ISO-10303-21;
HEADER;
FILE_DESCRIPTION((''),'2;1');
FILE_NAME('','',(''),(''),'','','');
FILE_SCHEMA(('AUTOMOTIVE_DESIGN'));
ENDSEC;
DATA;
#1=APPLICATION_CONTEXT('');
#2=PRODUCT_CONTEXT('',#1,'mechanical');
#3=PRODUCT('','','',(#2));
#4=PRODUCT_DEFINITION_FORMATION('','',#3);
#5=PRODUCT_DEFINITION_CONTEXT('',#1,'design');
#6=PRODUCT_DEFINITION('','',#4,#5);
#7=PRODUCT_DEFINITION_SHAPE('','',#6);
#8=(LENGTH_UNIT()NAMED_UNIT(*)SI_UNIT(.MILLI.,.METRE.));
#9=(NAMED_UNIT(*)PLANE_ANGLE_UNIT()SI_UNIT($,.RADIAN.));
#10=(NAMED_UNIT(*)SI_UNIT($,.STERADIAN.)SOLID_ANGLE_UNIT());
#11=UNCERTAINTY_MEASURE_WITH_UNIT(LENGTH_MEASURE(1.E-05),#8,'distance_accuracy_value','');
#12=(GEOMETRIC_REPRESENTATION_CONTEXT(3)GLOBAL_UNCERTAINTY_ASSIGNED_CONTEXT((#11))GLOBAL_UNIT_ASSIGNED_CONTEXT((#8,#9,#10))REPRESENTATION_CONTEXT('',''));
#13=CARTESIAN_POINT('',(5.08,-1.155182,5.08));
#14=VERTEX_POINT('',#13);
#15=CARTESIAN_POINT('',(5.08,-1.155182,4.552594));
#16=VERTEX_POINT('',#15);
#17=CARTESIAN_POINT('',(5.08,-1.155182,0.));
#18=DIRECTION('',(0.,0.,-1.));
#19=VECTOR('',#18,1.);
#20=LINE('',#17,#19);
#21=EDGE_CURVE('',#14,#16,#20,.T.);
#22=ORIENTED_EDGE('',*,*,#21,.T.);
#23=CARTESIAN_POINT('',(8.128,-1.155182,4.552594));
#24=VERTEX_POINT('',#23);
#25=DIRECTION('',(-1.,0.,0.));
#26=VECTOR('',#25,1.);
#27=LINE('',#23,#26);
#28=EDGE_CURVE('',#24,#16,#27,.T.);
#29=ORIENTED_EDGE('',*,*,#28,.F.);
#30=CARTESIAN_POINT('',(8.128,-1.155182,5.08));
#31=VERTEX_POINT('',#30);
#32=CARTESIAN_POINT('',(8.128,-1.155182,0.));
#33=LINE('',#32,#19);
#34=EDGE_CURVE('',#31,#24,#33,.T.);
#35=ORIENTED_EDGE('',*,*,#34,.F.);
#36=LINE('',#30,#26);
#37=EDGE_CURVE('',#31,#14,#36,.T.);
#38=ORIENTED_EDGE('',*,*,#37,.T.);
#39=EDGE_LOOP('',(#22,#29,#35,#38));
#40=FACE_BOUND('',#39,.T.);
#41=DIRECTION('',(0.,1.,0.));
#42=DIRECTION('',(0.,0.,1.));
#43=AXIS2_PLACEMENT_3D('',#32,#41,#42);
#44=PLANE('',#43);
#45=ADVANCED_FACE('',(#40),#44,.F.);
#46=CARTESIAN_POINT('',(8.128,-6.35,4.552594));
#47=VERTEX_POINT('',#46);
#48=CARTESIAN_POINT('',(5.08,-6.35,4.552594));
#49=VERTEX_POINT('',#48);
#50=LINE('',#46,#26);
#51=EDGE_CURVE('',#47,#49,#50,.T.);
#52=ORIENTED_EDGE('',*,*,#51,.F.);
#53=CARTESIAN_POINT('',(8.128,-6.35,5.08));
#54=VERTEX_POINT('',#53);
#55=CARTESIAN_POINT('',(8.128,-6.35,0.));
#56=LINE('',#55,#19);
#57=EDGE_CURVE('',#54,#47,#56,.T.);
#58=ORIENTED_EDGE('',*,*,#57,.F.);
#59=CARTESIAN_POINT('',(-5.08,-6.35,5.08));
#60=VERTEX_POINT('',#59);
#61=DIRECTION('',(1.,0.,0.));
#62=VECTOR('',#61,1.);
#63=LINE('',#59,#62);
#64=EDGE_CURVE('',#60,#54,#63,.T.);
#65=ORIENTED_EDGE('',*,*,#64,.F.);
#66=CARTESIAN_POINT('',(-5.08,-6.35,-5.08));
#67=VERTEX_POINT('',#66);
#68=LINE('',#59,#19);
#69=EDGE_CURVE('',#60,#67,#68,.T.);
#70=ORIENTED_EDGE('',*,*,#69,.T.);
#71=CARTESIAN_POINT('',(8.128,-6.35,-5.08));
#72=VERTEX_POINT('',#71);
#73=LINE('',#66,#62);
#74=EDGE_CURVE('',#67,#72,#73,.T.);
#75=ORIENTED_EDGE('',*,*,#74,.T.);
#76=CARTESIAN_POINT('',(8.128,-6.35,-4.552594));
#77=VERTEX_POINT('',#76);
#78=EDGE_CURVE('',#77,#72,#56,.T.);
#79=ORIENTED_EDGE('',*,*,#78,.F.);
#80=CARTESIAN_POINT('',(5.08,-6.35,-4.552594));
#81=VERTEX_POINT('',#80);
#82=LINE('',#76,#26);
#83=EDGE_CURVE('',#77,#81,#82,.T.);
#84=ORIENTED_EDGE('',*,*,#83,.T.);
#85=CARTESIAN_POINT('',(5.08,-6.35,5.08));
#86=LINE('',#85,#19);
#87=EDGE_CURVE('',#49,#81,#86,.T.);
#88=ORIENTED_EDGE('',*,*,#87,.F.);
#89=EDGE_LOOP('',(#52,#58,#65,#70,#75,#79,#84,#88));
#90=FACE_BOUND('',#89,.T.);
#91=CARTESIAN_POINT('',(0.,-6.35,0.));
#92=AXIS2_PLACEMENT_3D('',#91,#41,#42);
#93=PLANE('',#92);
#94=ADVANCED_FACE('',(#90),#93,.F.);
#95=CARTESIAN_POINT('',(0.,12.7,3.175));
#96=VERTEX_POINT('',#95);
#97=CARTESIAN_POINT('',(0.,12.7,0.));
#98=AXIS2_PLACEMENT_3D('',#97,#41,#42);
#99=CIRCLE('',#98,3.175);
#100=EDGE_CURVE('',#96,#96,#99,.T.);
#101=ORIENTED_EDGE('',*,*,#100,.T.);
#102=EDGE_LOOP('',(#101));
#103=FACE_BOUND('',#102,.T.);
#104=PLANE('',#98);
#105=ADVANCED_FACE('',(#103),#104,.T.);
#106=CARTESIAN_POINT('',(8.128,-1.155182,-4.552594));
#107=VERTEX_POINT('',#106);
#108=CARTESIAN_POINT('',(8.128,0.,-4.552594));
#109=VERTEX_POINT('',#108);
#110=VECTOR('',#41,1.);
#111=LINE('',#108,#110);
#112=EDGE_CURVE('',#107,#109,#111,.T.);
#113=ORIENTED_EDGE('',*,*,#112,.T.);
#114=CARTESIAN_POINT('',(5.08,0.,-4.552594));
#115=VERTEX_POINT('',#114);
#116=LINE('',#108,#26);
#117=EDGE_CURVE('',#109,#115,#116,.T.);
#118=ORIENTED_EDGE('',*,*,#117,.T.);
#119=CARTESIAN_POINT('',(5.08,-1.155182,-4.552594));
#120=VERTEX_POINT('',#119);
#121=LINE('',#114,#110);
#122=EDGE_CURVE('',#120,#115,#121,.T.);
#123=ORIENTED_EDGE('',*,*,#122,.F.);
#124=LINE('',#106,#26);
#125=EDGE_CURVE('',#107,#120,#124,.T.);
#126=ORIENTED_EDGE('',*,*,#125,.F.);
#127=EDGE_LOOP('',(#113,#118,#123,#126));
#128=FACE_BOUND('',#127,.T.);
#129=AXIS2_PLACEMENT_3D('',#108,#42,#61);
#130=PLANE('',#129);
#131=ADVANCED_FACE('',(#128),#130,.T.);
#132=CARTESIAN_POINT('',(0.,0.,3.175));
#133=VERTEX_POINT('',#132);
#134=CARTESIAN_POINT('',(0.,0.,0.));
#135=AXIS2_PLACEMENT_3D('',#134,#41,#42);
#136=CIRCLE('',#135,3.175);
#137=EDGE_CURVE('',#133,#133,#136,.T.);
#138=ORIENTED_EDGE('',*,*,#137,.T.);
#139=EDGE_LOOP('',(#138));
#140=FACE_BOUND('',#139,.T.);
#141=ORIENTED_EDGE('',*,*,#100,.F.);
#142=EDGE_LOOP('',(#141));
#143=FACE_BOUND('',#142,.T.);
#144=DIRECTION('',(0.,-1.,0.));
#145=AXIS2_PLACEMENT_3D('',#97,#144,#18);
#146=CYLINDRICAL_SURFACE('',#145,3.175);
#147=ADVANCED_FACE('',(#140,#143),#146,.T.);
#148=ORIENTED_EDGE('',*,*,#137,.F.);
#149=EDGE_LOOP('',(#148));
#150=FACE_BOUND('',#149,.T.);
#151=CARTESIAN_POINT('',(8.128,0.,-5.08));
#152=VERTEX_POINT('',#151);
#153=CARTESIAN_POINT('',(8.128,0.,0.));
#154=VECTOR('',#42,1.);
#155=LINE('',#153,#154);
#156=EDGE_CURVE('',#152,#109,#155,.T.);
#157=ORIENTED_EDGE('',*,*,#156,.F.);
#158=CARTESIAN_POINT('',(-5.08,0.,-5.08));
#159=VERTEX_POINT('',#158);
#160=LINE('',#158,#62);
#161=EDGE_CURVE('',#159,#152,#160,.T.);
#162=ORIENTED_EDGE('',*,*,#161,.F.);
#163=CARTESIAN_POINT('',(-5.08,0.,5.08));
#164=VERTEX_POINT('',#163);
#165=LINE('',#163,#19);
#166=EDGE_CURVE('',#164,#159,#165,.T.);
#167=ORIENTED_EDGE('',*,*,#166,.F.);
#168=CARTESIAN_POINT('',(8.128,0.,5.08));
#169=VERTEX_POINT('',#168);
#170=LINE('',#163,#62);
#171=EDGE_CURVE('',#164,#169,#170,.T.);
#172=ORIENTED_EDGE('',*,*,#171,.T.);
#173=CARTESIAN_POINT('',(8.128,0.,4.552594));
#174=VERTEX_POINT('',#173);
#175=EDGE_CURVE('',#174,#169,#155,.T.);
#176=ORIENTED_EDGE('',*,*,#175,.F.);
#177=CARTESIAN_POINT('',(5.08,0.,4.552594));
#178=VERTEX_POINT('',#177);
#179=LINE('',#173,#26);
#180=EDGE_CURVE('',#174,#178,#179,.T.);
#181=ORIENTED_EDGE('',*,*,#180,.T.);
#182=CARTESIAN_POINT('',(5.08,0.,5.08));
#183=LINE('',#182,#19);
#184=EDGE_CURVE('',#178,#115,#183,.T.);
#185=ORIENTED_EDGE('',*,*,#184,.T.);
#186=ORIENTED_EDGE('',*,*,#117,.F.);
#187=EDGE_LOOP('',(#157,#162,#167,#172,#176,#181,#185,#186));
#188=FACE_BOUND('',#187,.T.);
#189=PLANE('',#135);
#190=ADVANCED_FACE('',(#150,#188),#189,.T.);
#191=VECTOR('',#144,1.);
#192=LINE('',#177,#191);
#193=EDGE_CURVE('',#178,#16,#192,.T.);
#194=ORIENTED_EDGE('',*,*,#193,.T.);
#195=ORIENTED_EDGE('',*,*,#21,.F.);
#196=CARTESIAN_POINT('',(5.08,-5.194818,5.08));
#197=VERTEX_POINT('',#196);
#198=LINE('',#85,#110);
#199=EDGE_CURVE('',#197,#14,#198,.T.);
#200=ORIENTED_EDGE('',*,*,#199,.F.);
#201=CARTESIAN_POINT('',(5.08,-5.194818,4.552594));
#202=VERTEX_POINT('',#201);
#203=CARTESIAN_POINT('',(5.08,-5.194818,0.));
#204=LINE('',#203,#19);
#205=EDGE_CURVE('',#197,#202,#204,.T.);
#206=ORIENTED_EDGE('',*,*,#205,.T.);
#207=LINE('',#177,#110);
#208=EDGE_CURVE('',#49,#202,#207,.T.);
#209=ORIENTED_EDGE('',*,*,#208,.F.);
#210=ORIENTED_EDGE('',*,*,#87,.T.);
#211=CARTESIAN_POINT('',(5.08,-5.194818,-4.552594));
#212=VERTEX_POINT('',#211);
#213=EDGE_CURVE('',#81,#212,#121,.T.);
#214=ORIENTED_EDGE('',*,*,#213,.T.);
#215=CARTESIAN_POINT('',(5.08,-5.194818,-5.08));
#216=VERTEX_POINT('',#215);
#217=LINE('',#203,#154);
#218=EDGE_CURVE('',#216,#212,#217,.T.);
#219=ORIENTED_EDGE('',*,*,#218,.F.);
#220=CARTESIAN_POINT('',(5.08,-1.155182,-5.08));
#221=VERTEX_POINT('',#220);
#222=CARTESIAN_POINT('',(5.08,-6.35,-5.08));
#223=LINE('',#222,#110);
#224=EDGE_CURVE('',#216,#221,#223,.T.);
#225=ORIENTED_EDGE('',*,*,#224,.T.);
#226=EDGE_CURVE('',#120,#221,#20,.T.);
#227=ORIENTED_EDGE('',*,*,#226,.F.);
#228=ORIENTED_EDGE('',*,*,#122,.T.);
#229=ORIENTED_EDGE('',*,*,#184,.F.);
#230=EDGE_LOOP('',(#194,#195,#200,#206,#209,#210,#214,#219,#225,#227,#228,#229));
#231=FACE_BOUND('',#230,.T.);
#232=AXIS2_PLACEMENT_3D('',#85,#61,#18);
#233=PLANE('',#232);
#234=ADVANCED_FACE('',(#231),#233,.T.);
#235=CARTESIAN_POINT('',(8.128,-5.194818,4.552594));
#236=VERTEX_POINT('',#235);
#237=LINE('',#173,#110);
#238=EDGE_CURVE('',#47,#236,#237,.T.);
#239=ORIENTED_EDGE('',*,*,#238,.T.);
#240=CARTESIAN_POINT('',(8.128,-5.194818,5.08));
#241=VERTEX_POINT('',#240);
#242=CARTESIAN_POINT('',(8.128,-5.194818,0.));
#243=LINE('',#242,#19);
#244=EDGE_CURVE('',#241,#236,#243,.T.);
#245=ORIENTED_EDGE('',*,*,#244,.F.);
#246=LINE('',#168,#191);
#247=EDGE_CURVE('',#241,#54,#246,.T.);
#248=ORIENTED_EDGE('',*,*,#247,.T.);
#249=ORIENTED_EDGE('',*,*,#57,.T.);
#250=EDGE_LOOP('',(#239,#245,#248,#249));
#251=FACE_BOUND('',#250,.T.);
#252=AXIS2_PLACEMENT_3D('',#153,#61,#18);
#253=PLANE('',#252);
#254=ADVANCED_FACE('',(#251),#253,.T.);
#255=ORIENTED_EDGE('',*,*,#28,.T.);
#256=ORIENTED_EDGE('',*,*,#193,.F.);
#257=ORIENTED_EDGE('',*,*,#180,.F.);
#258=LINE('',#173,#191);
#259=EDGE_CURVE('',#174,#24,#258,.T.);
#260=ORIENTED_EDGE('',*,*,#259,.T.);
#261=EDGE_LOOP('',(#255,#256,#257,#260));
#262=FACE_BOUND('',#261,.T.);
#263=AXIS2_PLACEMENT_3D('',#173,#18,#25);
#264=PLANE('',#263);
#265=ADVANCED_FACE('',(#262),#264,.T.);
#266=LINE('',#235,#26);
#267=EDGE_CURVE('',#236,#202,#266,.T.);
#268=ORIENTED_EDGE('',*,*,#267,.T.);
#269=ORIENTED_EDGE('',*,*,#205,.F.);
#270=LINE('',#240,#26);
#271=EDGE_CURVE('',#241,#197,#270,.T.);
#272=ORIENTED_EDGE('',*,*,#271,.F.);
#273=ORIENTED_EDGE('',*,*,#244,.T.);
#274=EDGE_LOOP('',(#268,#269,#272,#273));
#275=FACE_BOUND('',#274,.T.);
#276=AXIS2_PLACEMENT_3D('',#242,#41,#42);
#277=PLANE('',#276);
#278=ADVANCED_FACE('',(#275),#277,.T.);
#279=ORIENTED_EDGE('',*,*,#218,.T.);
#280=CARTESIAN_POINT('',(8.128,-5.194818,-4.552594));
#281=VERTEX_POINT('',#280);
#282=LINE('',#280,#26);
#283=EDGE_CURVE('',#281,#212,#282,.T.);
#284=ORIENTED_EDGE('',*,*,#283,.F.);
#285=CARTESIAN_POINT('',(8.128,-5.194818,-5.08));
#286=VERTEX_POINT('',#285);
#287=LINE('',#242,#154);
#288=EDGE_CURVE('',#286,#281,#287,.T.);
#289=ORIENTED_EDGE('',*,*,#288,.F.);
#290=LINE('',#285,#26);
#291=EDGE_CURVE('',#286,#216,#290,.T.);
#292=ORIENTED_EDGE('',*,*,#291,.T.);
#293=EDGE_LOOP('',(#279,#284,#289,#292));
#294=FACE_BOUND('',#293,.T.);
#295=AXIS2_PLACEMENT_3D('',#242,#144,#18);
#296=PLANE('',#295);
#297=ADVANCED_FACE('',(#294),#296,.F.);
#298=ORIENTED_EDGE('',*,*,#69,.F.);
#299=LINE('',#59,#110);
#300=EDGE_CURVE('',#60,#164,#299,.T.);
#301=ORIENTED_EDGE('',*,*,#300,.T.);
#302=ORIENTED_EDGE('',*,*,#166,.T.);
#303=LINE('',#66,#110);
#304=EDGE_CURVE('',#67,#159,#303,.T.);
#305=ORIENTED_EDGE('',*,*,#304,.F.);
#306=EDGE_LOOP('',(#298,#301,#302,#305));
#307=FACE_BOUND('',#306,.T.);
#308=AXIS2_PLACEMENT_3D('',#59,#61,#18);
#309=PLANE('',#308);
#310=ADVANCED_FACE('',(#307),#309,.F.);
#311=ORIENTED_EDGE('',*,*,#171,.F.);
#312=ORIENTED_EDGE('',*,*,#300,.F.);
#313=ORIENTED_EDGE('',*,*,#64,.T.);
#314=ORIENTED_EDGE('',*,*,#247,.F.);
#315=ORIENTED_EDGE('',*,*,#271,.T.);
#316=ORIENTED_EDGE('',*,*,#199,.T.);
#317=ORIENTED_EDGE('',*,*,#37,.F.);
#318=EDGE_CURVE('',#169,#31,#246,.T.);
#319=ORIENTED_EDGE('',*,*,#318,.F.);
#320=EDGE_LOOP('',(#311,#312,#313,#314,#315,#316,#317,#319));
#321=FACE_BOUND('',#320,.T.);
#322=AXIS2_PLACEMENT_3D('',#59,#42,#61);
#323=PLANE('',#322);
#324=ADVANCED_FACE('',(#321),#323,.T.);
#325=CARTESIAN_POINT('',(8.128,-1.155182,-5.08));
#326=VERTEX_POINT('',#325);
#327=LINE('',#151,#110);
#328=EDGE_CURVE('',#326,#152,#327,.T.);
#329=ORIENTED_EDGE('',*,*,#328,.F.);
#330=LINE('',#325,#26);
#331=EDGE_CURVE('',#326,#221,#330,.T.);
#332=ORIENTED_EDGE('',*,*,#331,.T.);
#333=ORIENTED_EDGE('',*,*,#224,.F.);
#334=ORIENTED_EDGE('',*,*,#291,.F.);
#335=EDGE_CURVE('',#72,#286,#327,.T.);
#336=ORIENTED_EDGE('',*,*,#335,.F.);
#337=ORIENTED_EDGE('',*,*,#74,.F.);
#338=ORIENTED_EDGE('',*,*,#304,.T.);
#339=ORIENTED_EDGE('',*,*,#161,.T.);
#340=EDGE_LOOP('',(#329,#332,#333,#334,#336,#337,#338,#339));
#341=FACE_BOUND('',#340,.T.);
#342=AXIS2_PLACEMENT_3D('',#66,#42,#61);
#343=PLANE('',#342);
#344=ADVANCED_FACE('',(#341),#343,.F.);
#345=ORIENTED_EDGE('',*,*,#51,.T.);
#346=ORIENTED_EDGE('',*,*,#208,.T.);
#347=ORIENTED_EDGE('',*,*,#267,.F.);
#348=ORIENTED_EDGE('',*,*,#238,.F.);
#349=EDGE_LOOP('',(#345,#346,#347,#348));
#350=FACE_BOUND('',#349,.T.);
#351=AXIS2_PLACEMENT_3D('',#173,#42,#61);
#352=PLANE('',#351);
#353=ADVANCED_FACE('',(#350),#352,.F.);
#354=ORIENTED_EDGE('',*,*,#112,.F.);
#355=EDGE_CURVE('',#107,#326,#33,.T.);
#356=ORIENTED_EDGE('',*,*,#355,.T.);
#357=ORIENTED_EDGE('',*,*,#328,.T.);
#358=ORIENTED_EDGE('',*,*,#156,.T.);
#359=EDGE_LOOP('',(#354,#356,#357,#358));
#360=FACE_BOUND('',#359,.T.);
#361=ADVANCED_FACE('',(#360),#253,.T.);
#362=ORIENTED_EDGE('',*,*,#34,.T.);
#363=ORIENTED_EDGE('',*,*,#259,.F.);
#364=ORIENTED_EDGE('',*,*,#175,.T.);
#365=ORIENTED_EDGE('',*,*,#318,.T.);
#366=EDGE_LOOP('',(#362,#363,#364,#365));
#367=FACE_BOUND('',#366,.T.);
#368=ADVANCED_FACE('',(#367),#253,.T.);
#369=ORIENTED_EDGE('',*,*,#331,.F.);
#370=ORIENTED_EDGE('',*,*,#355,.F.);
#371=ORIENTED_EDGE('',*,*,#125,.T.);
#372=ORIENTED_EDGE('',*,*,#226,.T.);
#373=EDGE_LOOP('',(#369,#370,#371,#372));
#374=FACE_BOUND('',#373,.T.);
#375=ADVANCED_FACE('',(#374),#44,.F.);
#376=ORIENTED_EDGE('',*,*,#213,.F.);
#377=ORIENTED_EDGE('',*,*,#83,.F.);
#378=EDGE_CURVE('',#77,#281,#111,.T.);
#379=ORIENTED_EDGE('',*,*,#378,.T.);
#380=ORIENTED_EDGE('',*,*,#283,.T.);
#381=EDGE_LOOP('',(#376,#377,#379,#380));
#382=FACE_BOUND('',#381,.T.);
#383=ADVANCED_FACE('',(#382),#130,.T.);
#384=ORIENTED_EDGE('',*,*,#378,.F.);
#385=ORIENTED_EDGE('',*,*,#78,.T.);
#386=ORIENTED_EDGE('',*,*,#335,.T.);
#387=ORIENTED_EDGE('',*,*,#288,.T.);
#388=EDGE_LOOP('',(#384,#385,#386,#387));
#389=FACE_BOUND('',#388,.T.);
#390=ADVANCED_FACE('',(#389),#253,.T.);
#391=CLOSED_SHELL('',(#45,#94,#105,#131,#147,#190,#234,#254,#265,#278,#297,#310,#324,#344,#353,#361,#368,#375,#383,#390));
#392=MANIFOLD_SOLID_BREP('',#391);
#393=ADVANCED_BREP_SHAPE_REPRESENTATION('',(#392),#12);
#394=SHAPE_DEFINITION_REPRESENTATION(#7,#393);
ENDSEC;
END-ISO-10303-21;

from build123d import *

# Parameters (mm, degrees)
SKETCH1_R           = 3.175
BOSS_EXTRUDE1_DEPTH = 12.7
SKETCH1_3_W         = 10.16
SKETCH1_3_H         = 10.16
BOSS_EXTRUDE2_DEPTH = 6.35
SKETCH2_W           = 0.527405638
SKETCH2_H           = 1.155182197
BOSS_EXTRUDE3_DEPTH = 3.048


with BuildPart() as part:
    # Sketch1 → Boss-Extrude1 (new body)
    with BuildSketch(Plane(origin=(0, 0, 0), x_dir=(1, 0, 0), z_dir=(0, 1, 0))):
        Circle(SKETCH1_R)
    extrude(amount=BOSS_EXTRUDE1_DEPTH)

    # Sketch1<3> → Boss-Extrude2 (add)
    with BuildSketch(Plane(origin=(0, 0, 0), x_dir=(1, 0, 0), z_dir=(0, 1, 0))):
        Rectangle(SKETCH1_3_W, SKETCH1_3_H)
    extrude(amount=-BOSS_EXTRUDE2_DEPTH)

    # Sketch2 → Boss-Extrude3 (add)
    with BuildSketch(Plane(origin=(5.08, 0, 0), x_dir=(0, 0, -1), z_dir=(1, 0, 0))):
        with Locations((-4.816297181, -0.577591099)):
            Rectangle(SKETCH2_W, SKETCH2_H)
        with Locations((4.816297181, -0.577591099)):
            Rectangle(SKETCH2_W, SKETCH2_H)
        with Locations((4.816297181, -5.772408902)):
            Rectangle(SKETCH2_W, SKETCH2_H)
        with Locations((-4.816297181, -5.772408902)):
            Rectangle(SKETCH2_W, SKETCH2_H)
    extrude(amount=BOSS_EXTRUDE3_DEPTH)


solid = part.part
